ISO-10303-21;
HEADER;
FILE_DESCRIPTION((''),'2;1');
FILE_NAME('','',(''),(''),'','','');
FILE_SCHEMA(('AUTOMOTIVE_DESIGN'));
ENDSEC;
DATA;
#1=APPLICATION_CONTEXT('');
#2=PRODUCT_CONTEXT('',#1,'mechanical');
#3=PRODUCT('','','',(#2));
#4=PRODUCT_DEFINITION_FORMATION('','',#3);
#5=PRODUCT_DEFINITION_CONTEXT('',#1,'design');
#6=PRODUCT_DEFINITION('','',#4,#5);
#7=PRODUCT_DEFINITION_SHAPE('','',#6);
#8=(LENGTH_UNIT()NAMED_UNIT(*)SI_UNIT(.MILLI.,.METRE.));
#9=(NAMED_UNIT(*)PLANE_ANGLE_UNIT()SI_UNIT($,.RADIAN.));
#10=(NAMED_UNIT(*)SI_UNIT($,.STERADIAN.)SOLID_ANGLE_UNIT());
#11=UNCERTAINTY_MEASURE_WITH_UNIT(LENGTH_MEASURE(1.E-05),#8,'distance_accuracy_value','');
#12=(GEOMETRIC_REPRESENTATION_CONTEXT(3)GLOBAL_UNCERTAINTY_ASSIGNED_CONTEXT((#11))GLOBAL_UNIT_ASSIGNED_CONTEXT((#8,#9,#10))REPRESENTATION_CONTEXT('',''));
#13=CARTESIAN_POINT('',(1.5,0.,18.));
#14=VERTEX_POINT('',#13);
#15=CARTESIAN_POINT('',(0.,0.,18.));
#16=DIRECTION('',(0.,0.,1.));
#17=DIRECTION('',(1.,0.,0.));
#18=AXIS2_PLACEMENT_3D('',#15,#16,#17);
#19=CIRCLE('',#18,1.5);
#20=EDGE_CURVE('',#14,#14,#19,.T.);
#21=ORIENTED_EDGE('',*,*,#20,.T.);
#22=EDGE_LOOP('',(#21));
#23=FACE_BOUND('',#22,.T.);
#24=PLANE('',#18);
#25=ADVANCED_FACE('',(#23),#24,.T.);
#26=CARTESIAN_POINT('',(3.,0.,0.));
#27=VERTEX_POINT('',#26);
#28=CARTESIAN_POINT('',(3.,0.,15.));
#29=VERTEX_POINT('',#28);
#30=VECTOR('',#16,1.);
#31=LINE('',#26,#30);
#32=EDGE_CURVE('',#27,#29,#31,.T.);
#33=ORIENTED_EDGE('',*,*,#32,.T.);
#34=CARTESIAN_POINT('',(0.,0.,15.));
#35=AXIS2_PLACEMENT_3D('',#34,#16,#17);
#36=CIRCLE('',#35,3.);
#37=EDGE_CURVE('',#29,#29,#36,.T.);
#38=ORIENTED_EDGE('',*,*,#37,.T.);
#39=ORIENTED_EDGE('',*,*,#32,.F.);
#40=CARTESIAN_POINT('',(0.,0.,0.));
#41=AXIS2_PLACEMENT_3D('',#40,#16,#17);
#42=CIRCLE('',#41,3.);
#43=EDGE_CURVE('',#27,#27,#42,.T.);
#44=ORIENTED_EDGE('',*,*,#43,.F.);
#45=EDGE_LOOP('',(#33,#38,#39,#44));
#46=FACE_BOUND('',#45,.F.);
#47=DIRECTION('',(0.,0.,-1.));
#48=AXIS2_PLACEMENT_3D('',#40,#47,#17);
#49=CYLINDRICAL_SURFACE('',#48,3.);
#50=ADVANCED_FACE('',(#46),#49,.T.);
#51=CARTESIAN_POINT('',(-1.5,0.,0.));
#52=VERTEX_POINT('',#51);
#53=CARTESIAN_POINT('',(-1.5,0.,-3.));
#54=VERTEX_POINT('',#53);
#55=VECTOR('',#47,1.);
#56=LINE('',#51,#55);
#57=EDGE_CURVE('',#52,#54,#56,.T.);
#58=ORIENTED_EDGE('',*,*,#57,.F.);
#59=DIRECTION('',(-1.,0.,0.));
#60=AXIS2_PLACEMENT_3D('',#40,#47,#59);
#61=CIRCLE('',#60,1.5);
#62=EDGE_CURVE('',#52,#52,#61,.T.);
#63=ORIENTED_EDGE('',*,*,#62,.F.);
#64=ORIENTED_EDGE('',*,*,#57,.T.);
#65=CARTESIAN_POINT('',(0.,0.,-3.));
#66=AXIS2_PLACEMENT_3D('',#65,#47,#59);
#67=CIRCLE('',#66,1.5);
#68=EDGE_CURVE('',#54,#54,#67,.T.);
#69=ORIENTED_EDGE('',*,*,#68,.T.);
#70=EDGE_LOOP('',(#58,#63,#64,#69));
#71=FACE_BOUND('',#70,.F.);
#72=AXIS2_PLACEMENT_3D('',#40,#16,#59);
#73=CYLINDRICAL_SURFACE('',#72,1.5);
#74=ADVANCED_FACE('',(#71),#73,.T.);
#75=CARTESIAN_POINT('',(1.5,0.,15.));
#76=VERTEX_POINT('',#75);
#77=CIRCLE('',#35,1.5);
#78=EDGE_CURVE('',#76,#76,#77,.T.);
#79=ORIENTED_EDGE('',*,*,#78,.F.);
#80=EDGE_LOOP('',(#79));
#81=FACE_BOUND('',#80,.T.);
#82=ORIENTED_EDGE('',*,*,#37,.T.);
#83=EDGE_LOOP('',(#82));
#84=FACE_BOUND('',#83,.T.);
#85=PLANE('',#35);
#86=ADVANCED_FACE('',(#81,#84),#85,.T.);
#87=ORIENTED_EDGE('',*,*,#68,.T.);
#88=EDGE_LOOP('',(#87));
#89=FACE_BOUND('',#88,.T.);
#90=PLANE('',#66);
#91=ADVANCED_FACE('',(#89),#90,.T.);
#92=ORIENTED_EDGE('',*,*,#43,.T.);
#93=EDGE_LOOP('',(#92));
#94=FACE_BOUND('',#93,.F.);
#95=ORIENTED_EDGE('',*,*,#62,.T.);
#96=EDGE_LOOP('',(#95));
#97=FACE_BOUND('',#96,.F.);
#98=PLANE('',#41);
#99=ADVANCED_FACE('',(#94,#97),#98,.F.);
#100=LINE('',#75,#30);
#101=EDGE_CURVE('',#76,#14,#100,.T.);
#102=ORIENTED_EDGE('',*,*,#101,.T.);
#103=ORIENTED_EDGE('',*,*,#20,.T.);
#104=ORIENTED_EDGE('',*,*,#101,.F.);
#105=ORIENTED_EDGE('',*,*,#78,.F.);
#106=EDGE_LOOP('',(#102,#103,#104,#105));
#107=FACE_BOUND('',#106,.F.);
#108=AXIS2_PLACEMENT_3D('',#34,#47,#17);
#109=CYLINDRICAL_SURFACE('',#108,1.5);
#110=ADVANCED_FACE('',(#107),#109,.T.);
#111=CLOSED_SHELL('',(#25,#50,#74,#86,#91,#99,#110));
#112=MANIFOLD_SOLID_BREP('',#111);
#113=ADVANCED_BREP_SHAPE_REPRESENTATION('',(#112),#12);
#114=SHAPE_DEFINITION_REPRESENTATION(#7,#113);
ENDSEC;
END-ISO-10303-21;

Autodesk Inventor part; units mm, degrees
ref_plane "YZ Plane" through (0, 0, 0) normal (1, 0, 0) x (0, 1, 0)
ref_plane "XZ Plane" through (0, 0, 0) normal (0, 1, 0) x (-1, 0, 0)
ref_plane "XY Plane" through (0, 0, 0) normal (0, 0, 1) x (1, 0, 0)
sketch "Sketch1" plane through (0, 0, 0) normal (0, 0, 1) x (1, 0, 0)
  circle A0 centre (0, 0) radius 3
  dimension "d0" = 6
extrude "Extrusion1" add sketch "Sketch1" along normal blind 15
sketch "Sketch2" plane through (0, 0, 15) normal (0, 0, 1) x (1, 0, 0)
  circle A0 centre (0, 0) radius 1.5
  dimension "d3" = 3
extrude "Extrusion2" add sketch "Sketch2" along normal blind 3
sketch "Sketch3" plane through (0, 0, 0) normal (0, 0, -1) x (-1, 0, 0)
  circle A0 centre (0, 0) radius 1.5
  dimension "d6" = 3
extrude "Extrusion3" add sketch "Sketch3" along normal blind 3
properties part number "Pillar"
